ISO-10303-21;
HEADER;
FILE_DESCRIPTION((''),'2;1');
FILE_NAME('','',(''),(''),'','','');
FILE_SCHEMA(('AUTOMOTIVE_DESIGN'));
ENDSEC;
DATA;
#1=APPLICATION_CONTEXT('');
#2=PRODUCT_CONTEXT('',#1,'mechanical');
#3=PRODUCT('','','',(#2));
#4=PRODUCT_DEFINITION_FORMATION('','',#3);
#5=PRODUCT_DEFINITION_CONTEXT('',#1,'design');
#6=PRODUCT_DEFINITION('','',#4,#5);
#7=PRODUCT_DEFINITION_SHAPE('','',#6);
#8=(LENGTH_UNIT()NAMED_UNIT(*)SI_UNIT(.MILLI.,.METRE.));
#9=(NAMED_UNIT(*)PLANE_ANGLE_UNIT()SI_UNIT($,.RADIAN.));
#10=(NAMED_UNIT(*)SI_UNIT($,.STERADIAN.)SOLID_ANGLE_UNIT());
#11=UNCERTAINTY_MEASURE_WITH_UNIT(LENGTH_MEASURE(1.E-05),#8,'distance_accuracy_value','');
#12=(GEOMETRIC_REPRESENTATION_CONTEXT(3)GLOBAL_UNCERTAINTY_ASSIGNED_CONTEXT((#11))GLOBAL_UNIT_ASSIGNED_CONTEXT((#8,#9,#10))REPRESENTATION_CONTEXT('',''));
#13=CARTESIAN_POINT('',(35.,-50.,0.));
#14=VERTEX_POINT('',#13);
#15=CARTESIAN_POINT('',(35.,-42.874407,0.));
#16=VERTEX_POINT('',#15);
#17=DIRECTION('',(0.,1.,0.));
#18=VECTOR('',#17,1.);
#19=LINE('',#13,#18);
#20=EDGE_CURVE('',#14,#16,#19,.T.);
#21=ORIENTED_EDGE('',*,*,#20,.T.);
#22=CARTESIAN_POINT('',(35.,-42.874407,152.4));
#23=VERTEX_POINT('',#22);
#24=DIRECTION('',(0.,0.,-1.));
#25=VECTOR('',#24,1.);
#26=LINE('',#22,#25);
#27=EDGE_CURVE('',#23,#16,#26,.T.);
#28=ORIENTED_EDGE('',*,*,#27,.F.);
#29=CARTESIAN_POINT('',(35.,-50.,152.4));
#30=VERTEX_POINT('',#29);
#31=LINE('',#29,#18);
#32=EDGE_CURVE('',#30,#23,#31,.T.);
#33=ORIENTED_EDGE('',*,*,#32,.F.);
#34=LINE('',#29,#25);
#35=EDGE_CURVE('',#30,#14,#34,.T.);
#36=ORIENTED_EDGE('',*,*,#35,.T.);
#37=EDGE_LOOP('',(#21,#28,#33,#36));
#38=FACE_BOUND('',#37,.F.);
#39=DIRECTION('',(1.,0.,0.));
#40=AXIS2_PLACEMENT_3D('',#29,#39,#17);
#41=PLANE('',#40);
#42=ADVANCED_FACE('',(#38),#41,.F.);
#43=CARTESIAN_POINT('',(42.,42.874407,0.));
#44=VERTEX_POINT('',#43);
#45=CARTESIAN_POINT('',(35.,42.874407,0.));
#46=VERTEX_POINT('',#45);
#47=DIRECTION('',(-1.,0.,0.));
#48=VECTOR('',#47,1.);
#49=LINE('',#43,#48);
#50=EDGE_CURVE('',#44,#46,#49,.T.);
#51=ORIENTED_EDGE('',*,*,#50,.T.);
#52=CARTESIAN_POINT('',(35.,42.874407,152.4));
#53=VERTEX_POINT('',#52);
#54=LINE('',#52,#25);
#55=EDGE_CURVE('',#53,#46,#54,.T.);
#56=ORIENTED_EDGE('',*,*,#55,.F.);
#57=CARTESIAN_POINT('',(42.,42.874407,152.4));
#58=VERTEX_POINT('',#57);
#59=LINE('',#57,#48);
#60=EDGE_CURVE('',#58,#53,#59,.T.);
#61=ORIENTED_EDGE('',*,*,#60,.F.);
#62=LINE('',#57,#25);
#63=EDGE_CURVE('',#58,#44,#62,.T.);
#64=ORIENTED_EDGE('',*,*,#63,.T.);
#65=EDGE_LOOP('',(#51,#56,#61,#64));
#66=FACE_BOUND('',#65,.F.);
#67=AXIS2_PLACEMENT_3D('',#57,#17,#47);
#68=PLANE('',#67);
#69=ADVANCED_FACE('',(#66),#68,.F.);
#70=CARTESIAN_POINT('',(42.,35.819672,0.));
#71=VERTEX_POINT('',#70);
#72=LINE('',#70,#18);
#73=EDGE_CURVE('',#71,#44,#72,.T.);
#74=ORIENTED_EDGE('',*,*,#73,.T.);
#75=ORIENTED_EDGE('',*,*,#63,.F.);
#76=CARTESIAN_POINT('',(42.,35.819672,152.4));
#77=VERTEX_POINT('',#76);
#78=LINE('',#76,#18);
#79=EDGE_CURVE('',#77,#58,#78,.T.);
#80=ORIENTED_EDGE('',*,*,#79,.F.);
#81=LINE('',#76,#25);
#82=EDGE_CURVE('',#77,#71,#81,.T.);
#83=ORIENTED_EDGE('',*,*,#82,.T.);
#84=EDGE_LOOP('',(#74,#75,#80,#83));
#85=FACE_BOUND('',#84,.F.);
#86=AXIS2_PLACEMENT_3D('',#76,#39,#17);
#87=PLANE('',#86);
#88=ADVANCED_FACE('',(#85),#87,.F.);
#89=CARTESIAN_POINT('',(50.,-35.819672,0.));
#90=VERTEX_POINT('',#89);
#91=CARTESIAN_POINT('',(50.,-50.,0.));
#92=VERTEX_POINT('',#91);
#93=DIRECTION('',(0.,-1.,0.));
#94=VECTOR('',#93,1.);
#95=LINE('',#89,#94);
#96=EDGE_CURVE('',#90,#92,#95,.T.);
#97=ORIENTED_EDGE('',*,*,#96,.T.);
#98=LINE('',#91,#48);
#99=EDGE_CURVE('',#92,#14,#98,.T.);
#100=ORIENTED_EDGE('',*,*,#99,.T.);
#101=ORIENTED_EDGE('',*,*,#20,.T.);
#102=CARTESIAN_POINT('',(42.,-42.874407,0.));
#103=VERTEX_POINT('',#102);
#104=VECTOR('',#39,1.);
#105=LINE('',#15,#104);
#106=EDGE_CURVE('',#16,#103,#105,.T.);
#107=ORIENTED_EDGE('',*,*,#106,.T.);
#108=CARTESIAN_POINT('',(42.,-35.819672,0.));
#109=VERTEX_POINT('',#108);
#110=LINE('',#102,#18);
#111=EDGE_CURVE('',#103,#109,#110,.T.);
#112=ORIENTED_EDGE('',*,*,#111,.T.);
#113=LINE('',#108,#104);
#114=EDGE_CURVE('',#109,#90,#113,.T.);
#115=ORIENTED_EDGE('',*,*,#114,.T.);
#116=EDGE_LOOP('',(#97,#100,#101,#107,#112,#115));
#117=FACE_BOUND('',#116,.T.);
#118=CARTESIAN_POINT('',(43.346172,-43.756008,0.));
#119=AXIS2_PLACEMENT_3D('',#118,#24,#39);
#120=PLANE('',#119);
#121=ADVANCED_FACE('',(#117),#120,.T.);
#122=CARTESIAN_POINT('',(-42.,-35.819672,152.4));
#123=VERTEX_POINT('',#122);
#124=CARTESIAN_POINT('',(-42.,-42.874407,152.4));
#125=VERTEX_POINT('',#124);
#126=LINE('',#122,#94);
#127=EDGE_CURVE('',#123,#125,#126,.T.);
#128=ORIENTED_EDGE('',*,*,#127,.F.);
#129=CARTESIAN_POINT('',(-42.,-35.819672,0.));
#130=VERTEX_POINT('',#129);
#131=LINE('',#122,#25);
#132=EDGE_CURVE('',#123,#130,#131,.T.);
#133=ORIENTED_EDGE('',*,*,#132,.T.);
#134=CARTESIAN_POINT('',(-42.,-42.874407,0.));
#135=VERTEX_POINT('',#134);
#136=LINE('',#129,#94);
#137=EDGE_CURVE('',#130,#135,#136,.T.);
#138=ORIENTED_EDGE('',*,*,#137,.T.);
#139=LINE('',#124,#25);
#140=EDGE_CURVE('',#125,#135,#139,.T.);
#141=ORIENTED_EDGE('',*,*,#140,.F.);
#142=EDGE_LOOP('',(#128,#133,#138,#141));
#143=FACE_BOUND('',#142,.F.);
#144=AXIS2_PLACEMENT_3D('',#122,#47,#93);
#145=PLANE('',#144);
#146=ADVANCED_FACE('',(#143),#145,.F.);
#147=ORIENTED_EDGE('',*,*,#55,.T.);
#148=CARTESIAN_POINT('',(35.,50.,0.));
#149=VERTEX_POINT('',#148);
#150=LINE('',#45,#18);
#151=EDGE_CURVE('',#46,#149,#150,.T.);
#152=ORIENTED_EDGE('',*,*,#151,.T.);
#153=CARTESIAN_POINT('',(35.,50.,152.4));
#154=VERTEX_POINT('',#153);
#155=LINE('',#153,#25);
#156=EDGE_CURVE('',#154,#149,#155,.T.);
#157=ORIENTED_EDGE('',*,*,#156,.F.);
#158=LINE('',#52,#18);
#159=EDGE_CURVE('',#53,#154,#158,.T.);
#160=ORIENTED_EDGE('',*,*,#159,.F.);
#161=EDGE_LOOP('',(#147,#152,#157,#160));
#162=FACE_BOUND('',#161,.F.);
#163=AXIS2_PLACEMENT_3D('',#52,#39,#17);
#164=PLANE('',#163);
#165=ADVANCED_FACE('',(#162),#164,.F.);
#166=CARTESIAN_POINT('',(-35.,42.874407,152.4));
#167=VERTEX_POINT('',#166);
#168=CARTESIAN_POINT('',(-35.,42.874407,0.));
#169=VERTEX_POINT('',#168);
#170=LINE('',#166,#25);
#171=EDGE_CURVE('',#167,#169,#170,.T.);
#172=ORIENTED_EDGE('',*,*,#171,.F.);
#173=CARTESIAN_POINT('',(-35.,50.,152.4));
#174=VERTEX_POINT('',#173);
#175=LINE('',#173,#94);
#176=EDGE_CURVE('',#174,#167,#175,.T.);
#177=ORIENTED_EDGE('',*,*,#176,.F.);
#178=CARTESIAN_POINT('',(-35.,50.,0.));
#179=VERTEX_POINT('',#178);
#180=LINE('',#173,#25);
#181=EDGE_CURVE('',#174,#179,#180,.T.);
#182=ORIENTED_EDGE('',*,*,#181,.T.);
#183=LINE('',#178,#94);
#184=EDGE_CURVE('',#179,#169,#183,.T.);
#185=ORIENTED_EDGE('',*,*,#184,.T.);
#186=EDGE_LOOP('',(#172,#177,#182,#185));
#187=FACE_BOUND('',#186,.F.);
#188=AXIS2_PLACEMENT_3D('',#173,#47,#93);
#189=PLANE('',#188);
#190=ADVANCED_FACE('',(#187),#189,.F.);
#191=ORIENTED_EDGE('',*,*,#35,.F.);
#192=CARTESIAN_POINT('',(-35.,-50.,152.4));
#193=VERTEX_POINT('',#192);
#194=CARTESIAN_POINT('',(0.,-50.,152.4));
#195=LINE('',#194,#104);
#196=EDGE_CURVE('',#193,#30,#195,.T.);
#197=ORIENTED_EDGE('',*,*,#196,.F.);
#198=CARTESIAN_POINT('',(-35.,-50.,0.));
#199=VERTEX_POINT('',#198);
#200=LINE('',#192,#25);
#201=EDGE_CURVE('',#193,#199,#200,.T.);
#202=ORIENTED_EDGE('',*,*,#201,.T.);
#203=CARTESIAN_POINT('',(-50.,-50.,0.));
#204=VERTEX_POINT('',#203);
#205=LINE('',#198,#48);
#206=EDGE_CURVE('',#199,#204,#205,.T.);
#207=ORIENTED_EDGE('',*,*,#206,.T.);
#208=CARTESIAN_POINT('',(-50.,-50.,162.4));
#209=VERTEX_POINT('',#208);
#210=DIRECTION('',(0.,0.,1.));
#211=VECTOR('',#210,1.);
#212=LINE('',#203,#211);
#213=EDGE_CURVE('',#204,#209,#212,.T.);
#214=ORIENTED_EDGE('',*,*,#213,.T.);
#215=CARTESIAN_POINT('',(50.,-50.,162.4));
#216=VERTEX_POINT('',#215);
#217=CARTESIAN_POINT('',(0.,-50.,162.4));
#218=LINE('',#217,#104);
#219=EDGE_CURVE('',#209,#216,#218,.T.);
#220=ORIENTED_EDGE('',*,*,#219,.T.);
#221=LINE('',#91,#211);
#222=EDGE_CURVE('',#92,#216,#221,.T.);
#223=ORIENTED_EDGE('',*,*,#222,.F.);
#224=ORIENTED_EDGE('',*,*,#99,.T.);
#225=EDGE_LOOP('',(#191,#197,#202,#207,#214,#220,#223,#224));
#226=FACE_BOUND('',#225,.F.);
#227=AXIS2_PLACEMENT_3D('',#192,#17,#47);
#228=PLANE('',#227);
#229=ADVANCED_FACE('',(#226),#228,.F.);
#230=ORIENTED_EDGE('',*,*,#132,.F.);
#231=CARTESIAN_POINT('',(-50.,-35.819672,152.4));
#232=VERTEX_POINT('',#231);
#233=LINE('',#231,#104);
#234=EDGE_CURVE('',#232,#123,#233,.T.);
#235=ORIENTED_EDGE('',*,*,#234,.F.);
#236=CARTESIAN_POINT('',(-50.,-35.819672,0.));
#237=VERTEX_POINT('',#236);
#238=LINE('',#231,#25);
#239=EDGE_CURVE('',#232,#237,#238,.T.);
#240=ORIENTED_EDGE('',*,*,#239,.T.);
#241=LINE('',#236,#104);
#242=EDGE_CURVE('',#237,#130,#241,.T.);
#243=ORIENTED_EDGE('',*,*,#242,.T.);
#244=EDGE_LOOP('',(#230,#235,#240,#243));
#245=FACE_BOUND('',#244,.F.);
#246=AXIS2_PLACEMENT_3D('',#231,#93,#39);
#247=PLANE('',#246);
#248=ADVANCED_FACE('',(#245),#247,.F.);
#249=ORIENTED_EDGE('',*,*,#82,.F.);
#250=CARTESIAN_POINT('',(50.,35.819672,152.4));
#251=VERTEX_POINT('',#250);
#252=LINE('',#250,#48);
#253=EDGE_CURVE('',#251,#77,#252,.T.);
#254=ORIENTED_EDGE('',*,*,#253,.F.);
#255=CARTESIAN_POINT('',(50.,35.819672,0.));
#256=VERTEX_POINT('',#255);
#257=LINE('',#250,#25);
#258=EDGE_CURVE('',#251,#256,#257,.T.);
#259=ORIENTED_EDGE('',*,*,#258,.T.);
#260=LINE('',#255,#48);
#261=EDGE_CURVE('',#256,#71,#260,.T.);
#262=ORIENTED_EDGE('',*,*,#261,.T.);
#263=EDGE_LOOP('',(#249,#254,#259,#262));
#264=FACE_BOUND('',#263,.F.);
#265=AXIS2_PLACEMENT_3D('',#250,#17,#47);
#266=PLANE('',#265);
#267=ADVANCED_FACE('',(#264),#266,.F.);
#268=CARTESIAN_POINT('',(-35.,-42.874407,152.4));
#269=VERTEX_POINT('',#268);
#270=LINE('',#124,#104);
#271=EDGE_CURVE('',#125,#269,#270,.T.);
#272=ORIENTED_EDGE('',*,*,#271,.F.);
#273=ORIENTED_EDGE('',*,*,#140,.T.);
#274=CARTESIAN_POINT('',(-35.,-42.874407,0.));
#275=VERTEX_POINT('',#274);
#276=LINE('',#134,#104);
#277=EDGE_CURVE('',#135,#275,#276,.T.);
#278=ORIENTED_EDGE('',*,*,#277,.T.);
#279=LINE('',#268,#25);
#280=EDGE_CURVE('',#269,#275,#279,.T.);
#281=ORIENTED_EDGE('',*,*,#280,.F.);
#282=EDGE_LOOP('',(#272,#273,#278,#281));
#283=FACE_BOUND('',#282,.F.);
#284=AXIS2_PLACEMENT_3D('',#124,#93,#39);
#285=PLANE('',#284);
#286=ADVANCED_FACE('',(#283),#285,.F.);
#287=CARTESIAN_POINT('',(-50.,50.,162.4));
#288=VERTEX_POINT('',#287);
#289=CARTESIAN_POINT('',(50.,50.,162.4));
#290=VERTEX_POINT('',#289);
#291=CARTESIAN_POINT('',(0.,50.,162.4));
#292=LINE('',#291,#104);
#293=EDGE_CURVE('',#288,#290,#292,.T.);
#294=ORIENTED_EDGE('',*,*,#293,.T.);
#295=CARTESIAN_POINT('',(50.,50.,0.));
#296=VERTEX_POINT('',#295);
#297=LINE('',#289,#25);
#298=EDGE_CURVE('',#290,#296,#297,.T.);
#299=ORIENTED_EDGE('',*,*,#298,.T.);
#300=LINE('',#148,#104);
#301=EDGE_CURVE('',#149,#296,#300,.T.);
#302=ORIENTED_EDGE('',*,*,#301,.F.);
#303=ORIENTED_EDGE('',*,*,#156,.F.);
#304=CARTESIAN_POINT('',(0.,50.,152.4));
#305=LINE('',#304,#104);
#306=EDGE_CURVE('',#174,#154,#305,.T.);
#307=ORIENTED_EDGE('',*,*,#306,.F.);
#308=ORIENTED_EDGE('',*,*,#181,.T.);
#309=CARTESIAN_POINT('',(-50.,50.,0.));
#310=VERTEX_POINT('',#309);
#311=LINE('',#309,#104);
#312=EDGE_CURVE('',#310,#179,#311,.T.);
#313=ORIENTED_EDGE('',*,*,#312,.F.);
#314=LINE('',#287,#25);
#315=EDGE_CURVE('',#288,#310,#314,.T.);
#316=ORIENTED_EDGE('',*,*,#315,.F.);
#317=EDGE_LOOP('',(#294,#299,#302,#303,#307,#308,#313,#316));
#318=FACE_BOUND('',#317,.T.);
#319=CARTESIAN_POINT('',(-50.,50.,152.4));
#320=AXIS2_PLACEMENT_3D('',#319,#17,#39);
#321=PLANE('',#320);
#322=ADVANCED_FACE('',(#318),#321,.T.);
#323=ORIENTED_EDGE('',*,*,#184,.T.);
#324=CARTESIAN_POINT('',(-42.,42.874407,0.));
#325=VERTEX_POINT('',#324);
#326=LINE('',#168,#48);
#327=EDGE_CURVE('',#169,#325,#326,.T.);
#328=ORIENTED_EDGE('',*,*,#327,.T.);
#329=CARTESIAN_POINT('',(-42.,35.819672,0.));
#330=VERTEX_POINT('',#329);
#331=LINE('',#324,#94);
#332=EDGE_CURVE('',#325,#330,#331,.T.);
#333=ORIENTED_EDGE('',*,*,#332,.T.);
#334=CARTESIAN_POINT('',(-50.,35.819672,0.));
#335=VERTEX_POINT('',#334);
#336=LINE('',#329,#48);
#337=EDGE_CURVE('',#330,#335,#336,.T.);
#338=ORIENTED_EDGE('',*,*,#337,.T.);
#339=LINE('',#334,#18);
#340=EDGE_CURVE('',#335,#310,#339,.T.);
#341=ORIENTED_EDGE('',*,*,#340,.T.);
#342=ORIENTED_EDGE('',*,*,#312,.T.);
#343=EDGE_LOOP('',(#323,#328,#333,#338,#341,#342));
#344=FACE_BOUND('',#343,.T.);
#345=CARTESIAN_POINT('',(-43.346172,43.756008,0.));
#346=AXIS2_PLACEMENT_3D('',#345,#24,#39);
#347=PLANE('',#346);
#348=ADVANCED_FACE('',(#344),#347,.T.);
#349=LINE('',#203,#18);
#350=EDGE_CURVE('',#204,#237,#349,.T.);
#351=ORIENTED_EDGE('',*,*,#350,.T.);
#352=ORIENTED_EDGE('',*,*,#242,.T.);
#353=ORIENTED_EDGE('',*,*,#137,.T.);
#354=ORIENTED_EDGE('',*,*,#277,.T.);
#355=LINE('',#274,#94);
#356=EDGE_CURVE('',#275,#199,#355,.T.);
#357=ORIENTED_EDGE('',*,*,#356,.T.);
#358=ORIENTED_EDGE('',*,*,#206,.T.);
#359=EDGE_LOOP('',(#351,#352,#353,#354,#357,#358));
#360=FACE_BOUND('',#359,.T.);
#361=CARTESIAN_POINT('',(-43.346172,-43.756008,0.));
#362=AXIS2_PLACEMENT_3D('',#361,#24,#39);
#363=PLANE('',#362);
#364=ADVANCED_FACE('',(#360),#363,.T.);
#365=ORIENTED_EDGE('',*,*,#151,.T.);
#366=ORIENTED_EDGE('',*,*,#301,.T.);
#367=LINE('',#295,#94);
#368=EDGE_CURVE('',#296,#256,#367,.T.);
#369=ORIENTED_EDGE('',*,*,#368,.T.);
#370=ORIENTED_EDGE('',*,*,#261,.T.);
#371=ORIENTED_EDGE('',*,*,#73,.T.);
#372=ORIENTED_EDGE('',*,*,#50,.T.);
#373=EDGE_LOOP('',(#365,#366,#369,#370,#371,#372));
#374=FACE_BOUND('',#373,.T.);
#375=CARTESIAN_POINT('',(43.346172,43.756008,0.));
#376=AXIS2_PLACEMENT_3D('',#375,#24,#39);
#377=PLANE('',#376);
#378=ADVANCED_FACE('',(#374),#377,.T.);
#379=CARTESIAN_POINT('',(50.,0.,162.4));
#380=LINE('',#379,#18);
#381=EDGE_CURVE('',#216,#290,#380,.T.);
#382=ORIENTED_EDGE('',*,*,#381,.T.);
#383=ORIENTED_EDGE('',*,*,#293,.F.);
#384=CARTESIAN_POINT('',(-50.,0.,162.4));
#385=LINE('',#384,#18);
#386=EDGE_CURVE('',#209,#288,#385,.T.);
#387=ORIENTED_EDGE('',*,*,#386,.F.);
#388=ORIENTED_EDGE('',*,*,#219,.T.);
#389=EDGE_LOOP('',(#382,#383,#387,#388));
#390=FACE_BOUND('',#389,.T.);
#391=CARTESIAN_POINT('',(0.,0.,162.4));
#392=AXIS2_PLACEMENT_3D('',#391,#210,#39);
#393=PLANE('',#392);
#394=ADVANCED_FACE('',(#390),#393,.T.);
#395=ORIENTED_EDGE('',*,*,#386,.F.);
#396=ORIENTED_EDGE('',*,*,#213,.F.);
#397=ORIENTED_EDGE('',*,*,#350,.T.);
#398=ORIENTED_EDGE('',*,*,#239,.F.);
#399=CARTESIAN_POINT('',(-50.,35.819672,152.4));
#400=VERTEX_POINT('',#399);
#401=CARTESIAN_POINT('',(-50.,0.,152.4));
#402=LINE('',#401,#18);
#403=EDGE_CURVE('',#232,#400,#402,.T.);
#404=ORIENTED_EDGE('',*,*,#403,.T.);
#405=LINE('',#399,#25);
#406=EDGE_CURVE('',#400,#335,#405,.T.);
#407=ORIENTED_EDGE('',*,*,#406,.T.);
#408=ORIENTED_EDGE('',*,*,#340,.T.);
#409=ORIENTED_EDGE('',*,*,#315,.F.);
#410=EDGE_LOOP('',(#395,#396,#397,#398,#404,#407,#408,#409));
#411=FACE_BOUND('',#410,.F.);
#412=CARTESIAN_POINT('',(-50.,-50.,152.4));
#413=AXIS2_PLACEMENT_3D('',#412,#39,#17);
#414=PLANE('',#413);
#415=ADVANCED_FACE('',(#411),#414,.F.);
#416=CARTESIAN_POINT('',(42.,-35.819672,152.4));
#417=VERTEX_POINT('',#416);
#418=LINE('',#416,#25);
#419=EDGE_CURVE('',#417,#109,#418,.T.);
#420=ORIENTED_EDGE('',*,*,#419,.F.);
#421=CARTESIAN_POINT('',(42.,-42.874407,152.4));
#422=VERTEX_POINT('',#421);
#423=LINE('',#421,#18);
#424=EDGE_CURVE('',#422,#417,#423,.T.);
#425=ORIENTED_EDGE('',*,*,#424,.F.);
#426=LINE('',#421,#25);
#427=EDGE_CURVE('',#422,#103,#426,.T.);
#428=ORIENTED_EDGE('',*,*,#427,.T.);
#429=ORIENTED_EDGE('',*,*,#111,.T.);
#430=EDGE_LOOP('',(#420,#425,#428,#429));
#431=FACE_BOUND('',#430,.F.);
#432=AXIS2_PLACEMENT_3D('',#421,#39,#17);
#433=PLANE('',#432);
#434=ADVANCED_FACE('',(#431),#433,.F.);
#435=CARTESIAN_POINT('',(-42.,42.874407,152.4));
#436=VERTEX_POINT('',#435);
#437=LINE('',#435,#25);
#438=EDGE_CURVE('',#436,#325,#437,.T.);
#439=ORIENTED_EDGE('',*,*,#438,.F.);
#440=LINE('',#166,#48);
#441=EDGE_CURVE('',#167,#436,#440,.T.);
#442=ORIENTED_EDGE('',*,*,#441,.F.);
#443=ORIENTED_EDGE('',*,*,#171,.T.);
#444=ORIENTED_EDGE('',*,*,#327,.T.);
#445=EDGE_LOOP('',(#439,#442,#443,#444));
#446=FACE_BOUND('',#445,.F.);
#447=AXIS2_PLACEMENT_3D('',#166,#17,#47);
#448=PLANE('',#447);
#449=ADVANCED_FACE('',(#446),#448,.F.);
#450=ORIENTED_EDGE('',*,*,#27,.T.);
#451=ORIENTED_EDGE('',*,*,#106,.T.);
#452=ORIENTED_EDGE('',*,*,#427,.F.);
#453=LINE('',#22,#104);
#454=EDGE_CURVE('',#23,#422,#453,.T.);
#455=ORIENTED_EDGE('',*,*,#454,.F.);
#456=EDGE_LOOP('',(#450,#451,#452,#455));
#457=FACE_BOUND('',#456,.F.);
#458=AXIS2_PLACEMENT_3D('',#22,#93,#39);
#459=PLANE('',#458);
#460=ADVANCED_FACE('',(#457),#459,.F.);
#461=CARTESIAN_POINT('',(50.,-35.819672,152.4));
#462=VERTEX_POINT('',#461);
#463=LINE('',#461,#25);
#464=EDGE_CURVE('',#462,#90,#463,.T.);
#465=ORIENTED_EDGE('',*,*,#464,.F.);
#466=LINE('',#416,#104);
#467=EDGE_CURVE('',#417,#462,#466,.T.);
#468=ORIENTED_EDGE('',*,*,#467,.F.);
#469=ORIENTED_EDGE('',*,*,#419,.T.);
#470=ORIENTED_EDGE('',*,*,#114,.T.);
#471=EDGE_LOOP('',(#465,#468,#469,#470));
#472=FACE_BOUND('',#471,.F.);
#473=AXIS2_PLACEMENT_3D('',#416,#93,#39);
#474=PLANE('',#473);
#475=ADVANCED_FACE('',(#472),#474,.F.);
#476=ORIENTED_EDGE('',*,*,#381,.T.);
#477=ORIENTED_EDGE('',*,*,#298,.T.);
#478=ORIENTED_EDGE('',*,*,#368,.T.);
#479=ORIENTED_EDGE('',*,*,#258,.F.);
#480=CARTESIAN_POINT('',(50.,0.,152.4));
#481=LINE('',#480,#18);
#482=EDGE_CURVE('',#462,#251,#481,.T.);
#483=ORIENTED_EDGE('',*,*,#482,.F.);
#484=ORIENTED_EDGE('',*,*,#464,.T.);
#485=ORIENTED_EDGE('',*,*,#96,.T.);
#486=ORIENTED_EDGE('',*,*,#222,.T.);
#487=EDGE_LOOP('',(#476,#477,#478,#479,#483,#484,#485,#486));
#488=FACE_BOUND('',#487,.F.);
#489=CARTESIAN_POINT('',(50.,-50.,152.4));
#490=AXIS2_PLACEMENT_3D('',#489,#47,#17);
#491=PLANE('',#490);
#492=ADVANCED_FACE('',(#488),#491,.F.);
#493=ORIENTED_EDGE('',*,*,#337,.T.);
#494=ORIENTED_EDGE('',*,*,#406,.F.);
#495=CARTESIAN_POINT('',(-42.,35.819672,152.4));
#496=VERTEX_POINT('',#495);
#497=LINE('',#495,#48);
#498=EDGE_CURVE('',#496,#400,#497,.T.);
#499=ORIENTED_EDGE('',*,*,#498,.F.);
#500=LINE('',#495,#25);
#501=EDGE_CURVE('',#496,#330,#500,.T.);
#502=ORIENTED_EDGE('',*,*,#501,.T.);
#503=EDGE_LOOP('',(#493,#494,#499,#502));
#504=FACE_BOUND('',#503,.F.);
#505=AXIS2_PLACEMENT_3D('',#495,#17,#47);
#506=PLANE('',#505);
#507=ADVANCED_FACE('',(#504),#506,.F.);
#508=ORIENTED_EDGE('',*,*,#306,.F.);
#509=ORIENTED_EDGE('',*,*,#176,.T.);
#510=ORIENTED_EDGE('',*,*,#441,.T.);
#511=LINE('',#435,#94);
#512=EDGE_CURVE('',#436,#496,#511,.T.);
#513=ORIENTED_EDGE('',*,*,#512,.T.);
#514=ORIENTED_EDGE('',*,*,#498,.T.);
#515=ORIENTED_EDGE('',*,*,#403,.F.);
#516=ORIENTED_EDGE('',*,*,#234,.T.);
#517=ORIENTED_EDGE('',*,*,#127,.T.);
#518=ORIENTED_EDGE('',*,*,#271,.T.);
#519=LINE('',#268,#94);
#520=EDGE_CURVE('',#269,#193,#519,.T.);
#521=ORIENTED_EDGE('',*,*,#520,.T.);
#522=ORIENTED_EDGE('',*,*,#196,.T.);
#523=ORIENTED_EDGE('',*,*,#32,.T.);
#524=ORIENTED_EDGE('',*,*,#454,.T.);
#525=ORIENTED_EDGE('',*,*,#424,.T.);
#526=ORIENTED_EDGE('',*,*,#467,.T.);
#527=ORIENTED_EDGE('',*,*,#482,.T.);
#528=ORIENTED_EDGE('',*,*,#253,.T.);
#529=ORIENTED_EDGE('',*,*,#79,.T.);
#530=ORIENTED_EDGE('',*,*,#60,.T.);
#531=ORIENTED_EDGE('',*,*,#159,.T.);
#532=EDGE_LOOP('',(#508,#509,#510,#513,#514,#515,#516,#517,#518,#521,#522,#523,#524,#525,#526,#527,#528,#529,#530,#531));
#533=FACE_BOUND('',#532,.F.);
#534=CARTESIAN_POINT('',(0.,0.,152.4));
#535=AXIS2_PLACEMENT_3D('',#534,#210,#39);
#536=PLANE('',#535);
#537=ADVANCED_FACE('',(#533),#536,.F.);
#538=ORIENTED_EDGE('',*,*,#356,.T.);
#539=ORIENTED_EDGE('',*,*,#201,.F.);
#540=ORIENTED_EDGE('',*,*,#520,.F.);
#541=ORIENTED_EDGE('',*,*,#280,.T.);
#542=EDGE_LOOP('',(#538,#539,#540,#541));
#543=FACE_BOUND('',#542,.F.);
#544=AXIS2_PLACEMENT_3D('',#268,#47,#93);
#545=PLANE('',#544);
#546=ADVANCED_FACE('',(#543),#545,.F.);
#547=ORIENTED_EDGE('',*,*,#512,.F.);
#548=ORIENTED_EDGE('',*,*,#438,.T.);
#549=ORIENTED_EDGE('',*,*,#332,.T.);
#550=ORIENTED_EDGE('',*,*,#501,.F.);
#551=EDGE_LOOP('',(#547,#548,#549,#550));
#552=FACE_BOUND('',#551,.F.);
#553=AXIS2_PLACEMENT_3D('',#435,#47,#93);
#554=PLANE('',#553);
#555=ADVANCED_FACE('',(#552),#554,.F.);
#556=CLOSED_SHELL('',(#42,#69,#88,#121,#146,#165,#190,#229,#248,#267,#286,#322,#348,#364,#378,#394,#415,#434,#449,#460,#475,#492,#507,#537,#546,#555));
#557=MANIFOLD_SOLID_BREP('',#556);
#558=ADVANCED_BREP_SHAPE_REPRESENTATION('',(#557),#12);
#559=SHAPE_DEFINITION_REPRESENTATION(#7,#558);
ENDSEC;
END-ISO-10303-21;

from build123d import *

# Parameters (mm, degrees)
F1_W     = 100
F1_H     = 100
F2_DEPTH = 10
F4_DEPTH = 152.4


with BuildPart() as f2:
    # F1 (on offset) → F2 (new body)
    with BuildSketch(Plane.XY.offset(152.4)):
        Rectangle(F1_W, F1_H)
    extrude(amount=F2_DEPTH)

    # F3 (on face) → F4 (join, through all)
    with BuildSketch(Plane(origin=(0, 0, 152.4), x_dir=(1, 0, 0), z_dir=(0, 0, -1))):
        Polygon((-50, 50), (-50, 35.819672), (-42, 35.819672), (-42, 42.874407), (-35, 42.874407), (-35, 50), align=None)
        Polygon((42, 35.819672), (50, 35.819672), (50, 50), (35, 50), (35, 42.874407), (42, 42.874407), align=None)
        Polygon((50, -35.819672), (42, -35.819672), (42, -42.874407), (35, -42.874407), (35, -50), (50, -50), align=None)
        Polygon((-42, -35.819672), (-50, -35.819672), (-50, -50), (-35, -50), (-35, -42.874407), (-42, -42.874407), align=None)
    extrude(amount=F4_DEPTH)


solid = f2.part
